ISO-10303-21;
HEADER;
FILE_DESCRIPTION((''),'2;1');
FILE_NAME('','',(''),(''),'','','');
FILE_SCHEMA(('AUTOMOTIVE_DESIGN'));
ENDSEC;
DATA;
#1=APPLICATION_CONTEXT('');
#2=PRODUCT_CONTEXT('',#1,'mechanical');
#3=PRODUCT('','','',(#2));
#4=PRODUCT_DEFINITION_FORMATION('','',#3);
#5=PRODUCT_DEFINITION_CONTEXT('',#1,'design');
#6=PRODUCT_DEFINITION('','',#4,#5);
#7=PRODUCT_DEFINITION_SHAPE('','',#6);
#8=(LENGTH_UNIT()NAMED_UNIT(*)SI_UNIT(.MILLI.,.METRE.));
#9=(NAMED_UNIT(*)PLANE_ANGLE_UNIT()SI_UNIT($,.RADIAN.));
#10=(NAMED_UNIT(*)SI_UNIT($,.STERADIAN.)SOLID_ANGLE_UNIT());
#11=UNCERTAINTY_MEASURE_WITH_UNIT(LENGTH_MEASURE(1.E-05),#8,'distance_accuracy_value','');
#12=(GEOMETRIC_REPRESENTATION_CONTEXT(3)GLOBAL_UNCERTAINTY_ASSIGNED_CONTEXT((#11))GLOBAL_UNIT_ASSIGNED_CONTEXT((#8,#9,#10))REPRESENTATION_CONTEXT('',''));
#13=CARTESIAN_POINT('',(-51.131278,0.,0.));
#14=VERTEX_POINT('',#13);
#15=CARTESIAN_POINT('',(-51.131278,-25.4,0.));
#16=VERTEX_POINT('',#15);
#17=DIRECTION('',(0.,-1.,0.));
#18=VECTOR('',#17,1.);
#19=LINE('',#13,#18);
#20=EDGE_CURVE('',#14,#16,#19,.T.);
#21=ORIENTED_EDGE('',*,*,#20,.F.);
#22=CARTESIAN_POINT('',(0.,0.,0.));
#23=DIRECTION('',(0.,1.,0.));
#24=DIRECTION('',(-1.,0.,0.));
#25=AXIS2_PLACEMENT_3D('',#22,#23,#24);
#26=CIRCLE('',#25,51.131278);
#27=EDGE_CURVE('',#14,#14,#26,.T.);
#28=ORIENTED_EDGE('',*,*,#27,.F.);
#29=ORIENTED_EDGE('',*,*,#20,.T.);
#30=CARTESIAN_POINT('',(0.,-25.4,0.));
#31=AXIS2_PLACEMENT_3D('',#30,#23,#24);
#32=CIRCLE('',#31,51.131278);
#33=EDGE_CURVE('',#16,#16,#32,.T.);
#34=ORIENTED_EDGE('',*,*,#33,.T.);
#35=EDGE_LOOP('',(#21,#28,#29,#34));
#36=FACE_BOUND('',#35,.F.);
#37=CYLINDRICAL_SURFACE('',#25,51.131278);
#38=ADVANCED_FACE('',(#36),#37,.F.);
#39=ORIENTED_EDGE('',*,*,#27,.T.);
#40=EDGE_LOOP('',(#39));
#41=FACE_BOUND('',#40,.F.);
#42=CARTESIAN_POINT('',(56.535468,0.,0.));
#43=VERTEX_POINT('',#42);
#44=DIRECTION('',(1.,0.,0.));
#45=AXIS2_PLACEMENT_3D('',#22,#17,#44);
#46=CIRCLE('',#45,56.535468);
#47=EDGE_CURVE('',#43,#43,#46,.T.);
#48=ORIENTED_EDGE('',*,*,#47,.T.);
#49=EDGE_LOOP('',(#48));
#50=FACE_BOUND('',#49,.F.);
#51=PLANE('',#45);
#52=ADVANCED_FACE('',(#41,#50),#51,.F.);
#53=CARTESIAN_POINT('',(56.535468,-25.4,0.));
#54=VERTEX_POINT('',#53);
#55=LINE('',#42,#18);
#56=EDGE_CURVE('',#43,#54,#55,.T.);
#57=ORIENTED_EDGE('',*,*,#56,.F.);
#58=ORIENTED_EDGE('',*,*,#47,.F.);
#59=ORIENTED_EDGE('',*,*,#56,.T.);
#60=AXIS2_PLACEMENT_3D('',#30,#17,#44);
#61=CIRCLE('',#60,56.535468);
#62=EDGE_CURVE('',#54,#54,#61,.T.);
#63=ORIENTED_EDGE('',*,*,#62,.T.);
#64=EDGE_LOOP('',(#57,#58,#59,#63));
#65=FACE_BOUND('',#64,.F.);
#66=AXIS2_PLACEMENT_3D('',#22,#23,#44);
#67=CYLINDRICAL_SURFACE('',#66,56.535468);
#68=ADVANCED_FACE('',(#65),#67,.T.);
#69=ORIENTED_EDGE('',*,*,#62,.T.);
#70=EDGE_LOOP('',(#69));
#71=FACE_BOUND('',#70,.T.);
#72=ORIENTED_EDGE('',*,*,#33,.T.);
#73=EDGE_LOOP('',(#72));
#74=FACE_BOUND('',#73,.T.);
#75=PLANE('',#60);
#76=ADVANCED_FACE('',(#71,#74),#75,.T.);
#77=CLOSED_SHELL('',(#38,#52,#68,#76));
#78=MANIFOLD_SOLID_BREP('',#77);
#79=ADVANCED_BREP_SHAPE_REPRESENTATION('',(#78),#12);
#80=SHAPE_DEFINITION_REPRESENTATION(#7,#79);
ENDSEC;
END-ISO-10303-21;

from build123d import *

# Parameters (mm, degrees)
F0_R     = 56.535468
F2_DEPTH = 25.4
F3_R     = 51.131278
F4_DEPTH = 25.4


with BuildPart() as f2:
    # F0 (on Front) → F2 (new body)
    with BuildSketch(Plane.XZ):
        Circle(F0_R)
    extrude(amount=F2_DEPTH)

    # F3 (on face) → F4 (cut)
    with BuildSketch(Plane(origin=(0, 0, 0), x_dir=(-1, 0, 0), z_dir=(0, 1, 0))):
        Circle(F3_R)
    extrude(amount=-F4_DEPTH, mode=Mode.SUBTRACT)


solid = f2.part
